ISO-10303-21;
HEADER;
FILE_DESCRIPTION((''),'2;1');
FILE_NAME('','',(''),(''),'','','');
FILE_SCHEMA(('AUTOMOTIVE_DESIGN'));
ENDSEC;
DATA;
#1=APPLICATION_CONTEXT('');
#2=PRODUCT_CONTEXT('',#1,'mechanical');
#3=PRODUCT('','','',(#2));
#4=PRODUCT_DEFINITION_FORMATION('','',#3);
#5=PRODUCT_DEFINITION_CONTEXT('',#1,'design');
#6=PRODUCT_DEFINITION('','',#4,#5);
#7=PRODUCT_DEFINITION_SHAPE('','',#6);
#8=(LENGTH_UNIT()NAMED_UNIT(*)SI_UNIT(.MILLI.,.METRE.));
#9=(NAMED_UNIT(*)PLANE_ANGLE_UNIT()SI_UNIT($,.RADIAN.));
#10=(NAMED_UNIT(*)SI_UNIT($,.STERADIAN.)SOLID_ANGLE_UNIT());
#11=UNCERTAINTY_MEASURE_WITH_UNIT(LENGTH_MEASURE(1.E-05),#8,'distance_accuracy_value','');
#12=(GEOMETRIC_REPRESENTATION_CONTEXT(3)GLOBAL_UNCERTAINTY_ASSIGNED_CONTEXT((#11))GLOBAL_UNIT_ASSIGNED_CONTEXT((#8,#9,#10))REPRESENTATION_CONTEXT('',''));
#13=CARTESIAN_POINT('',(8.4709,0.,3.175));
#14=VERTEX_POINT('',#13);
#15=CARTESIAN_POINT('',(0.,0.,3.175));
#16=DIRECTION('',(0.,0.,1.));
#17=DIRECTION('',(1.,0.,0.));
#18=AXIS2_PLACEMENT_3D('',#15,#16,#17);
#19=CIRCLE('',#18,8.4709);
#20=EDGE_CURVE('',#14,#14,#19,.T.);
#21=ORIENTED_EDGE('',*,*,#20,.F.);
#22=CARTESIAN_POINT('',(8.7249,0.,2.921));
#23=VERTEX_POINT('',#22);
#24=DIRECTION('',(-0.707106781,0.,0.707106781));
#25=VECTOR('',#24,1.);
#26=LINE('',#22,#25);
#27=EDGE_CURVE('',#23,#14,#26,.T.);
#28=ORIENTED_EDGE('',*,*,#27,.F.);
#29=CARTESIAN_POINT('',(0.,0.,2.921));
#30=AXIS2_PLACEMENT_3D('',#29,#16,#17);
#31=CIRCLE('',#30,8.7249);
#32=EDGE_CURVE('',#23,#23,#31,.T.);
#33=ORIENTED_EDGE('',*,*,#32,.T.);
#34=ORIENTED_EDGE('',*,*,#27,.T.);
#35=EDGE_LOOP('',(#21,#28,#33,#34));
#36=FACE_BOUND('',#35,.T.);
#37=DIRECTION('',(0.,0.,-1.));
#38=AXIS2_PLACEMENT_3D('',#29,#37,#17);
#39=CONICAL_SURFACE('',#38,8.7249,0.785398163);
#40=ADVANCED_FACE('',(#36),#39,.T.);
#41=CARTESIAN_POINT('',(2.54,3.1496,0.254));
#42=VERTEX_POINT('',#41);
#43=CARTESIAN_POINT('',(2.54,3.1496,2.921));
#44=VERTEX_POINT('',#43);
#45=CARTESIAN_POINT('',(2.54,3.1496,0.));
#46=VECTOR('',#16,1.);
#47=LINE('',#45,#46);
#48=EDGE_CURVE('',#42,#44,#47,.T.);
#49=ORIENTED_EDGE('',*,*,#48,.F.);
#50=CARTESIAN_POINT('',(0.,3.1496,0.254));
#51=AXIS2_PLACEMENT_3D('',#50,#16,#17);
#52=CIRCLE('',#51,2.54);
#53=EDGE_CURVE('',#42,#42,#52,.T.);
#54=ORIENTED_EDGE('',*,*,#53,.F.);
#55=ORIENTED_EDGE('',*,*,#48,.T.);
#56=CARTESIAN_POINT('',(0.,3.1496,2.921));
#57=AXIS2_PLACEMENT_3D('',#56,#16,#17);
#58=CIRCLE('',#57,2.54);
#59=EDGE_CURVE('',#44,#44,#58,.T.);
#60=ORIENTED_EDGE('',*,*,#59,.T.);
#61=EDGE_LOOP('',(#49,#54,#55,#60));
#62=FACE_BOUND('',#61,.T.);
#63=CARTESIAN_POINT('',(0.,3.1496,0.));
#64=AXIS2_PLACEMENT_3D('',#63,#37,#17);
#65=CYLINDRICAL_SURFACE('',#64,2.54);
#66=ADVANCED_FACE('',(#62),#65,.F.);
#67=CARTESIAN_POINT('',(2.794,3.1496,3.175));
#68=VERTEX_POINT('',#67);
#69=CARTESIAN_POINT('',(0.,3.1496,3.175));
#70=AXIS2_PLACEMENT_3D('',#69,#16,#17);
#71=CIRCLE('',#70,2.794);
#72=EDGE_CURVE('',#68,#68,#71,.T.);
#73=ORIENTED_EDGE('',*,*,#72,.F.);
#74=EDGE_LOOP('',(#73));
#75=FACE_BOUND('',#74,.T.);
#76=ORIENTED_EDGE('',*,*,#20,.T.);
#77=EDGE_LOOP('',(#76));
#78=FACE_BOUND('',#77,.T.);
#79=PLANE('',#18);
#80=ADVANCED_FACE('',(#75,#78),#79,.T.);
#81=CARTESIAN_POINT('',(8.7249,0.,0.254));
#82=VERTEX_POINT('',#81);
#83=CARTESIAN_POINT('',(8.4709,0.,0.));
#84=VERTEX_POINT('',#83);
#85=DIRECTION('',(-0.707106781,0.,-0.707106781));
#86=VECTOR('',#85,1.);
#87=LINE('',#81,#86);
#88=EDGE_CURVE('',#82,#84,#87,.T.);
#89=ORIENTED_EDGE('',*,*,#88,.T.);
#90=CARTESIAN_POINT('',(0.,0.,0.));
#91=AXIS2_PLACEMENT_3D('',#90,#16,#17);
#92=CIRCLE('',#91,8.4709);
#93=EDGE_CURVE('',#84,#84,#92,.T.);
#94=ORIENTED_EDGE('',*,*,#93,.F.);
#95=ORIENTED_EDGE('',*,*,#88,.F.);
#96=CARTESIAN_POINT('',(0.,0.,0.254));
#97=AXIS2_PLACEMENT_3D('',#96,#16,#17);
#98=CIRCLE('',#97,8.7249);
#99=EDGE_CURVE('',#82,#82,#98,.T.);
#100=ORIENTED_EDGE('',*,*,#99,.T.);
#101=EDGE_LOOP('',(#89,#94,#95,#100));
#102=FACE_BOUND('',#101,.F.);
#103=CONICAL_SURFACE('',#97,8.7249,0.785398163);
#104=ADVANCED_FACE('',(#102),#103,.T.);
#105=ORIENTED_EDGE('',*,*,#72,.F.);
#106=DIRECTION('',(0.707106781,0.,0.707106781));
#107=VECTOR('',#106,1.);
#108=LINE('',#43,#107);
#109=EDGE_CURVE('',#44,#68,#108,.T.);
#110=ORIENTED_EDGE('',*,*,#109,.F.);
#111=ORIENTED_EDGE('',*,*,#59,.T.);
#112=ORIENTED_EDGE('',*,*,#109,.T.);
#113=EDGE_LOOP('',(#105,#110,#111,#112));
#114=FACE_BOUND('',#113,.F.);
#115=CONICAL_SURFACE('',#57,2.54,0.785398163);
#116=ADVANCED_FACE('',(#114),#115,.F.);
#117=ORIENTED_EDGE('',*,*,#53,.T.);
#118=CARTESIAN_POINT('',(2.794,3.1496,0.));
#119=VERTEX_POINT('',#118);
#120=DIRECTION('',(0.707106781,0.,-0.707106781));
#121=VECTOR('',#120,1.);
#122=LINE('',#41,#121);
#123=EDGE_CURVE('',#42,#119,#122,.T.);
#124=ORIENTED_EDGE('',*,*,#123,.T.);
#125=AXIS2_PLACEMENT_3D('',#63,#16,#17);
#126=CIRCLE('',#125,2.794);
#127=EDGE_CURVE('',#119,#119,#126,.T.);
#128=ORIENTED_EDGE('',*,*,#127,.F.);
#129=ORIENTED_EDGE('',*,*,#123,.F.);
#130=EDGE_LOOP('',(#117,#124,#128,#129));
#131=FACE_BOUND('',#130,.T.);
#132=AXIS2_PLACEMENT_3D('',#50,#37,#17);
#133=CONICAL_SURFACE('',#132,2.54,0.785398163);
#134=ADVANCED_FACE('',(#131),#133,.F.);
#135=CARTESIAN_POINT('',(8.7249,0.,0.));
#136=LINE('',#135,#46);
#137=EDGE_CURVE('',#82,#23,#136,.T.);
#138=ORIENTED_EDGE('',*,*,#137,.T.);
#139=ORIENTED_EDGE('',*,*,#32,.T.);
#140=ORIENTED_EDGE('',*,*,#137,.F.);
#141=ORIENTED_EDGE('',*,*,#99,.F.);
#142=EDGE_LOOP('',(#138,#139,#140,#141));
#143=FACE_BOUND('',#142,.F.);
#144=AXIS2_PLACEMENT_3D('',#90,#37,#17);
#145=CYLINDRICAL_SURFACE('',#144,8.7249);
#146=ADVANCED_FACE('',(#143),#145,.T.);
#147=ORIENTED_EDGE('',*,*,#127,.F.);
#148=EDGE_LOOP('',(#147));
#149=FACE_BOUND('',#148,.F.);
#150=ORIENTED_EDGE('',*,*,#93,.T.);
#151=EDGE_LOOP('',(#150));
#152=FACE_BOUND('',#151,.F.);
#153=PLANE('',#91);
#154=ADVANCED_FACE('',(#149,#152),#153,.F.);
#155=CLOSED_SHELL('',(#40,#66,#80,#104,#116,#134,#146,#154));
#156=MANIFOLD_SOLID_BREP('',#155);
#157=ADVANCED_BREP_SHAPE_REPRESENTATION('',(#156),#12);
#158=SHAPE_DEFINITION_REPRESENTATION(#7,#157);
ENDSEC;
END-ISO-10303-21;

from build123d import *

# Parameters (mm, degrees)
F0_R     = 8.7249
F0_R_2   = 2.54
F1_DEPTH = 3.175
F2_SIZE  = 0.254


with BuildPart() as f1:
    # F0 (on Top) → F1 (new body)
    with BuildSketch(Plane.XY):
        Circle(F0_R)
        with Locations((0, 3.1496)):
            Circle(F0_R_2, mode=Mode.SUBTRACT)
    extrude(amount=F1_DEPTH)

    # F2
    f2_edges = [f1.edges().sort_by_distance(p)[0] for p in [
        (-8.7249, 0, 3.175),
        (-8.7249, 0, 0),
        (-2.54, 3.1496, 3.175),
        (-2.54, 3.1496, 0),
    ]]
    chamfer(f2_edges, length=F2_SIZE)


solid = f1.part
